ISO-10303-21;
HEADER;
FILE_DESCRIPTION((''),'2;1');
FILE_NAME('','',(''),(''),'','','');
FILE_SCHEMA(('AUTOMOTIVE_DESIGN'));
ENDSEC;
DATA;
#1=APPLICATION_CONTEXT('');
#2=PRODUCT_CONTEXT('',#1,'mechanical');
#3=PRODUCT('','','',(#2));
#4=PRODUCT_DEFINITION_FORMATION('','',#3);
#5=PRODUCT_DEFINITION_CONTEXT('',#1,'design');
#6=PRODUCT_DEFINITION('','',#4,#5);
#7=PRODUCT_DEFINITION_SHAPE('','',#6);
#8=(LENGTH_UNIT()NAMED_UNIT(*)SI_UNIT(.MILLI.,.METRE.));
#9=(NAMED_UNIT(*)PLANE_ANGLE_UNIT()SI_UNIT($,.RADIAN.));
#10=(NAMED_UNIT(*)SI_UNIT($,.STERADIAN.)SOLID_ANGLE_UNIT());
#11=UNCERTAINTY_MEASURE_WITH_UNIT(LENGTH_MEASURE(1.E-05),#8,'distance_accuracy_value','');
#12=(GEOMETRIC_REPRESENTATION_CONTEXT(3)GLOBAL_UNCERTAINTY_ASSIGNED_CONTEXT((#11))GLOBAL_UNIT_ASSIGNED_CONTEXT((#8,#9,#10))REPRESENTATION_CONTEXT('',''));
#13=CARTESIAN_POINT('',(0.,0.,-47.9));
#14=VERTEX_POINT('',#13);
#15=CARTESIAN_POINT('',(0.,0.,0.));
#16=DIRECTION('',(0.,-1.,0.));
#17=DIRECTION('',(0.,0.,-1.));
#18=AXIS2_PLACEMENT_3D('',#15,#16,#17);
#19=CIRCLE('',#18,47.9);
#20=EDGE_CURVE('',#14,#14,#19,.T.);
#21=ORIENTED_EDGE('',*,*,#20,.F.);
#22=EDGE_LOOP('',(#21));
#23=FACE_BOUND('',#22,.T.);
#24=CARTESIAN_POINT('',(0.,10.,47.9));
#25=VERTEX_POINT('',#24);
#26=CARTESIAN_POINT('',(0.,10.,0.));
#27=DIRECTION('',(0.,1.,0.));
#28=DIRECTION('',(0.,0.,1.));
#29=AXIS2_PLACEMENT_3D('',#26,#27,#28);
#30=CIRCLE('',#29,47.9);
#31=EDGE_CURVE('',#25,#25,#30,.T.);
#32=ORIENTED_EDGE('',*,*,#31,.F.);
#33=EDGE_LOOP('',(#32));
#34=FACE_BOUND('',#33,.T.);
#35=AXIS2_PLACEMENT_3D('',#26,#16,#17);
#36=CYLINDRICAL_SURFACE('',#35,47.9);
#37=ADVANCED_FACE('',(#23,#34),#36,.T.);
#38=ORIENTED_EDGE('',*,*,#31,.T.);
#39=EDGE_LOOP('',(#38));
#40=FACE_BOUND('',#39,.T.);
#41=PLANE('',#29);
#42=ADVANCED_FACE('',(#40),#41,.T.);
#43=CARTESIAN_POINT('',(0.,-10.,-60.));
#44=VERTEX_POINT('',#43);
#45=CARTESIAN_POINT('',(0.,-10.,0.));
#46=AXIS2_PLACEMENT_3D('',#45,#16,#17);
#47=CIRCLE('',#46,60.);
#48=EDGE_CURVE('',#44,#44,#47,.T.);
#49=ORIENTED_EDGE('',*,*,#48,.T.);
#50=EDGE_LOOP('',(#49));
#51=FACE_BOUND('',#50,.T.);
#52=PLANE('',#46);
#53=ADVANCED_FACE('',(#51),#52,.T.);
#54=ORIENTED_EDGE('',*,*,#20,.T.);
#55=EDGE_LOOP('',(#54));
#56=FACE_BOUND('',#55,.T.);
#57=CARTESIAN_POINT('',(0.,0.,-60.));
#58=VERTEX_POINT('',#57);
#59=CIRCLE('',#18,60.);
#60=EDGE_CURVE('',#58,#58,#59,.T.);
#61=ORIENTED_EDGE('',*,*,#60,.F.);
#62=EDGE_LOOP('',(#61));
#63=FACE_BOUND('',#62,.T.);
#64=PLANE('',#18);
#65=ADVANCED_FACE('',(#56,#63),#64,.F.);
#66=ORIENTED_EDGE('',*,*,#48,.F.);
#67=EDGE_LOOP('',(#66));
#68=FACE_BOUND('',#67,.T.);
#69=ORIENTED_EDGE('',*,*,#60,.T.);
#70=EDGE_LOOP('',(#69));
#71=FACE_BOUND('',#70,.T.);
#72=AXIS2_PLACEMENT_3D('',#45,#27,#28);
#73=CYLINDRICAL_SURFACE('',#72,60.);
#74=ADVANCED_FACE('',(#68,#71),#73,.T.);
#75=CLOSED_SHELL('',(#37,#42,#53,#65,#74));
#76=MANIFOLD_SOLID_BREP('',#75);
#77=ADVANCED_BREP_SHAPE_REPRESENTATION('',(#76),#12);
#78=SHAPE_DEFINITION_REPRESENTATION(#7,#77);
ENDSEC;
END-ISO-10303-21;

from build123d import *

# Parameters (mm, degrees)
ESQUISSE1_R        = 47.9
BOSS_EXTRU_1_DEPTH = 10
ESQUISSE2_R        = 60
BOSS_EXTRU_2_DEPTH = 10


with BuildPart() as part:
    # Esquisse1 → Boss.-Extru.1 (new body)
    with BuildSketch(Plane(origin=(0, 0, 0), x_dir=(1, 0, 0), z_dir=(0, 1, 0))):
        with Locations(Location((0, 0, 0), (0, 0, 270))):
            Circle(ESQUISSE1_R)
    extrude(amount=BOSS_EXTRU_1_DEPTH)

    # Esquisse2 → Boss.-Extru.2 (add)
    with BuildSketch(Plane.XZ):
        with Locations(Location((0, 0, 0), (0, 0, 270))):
            Circle(ESQUISSE2_R)
    extrude(amount=BOSS_EXTRU_2_DEPTH)


solid = part.part
